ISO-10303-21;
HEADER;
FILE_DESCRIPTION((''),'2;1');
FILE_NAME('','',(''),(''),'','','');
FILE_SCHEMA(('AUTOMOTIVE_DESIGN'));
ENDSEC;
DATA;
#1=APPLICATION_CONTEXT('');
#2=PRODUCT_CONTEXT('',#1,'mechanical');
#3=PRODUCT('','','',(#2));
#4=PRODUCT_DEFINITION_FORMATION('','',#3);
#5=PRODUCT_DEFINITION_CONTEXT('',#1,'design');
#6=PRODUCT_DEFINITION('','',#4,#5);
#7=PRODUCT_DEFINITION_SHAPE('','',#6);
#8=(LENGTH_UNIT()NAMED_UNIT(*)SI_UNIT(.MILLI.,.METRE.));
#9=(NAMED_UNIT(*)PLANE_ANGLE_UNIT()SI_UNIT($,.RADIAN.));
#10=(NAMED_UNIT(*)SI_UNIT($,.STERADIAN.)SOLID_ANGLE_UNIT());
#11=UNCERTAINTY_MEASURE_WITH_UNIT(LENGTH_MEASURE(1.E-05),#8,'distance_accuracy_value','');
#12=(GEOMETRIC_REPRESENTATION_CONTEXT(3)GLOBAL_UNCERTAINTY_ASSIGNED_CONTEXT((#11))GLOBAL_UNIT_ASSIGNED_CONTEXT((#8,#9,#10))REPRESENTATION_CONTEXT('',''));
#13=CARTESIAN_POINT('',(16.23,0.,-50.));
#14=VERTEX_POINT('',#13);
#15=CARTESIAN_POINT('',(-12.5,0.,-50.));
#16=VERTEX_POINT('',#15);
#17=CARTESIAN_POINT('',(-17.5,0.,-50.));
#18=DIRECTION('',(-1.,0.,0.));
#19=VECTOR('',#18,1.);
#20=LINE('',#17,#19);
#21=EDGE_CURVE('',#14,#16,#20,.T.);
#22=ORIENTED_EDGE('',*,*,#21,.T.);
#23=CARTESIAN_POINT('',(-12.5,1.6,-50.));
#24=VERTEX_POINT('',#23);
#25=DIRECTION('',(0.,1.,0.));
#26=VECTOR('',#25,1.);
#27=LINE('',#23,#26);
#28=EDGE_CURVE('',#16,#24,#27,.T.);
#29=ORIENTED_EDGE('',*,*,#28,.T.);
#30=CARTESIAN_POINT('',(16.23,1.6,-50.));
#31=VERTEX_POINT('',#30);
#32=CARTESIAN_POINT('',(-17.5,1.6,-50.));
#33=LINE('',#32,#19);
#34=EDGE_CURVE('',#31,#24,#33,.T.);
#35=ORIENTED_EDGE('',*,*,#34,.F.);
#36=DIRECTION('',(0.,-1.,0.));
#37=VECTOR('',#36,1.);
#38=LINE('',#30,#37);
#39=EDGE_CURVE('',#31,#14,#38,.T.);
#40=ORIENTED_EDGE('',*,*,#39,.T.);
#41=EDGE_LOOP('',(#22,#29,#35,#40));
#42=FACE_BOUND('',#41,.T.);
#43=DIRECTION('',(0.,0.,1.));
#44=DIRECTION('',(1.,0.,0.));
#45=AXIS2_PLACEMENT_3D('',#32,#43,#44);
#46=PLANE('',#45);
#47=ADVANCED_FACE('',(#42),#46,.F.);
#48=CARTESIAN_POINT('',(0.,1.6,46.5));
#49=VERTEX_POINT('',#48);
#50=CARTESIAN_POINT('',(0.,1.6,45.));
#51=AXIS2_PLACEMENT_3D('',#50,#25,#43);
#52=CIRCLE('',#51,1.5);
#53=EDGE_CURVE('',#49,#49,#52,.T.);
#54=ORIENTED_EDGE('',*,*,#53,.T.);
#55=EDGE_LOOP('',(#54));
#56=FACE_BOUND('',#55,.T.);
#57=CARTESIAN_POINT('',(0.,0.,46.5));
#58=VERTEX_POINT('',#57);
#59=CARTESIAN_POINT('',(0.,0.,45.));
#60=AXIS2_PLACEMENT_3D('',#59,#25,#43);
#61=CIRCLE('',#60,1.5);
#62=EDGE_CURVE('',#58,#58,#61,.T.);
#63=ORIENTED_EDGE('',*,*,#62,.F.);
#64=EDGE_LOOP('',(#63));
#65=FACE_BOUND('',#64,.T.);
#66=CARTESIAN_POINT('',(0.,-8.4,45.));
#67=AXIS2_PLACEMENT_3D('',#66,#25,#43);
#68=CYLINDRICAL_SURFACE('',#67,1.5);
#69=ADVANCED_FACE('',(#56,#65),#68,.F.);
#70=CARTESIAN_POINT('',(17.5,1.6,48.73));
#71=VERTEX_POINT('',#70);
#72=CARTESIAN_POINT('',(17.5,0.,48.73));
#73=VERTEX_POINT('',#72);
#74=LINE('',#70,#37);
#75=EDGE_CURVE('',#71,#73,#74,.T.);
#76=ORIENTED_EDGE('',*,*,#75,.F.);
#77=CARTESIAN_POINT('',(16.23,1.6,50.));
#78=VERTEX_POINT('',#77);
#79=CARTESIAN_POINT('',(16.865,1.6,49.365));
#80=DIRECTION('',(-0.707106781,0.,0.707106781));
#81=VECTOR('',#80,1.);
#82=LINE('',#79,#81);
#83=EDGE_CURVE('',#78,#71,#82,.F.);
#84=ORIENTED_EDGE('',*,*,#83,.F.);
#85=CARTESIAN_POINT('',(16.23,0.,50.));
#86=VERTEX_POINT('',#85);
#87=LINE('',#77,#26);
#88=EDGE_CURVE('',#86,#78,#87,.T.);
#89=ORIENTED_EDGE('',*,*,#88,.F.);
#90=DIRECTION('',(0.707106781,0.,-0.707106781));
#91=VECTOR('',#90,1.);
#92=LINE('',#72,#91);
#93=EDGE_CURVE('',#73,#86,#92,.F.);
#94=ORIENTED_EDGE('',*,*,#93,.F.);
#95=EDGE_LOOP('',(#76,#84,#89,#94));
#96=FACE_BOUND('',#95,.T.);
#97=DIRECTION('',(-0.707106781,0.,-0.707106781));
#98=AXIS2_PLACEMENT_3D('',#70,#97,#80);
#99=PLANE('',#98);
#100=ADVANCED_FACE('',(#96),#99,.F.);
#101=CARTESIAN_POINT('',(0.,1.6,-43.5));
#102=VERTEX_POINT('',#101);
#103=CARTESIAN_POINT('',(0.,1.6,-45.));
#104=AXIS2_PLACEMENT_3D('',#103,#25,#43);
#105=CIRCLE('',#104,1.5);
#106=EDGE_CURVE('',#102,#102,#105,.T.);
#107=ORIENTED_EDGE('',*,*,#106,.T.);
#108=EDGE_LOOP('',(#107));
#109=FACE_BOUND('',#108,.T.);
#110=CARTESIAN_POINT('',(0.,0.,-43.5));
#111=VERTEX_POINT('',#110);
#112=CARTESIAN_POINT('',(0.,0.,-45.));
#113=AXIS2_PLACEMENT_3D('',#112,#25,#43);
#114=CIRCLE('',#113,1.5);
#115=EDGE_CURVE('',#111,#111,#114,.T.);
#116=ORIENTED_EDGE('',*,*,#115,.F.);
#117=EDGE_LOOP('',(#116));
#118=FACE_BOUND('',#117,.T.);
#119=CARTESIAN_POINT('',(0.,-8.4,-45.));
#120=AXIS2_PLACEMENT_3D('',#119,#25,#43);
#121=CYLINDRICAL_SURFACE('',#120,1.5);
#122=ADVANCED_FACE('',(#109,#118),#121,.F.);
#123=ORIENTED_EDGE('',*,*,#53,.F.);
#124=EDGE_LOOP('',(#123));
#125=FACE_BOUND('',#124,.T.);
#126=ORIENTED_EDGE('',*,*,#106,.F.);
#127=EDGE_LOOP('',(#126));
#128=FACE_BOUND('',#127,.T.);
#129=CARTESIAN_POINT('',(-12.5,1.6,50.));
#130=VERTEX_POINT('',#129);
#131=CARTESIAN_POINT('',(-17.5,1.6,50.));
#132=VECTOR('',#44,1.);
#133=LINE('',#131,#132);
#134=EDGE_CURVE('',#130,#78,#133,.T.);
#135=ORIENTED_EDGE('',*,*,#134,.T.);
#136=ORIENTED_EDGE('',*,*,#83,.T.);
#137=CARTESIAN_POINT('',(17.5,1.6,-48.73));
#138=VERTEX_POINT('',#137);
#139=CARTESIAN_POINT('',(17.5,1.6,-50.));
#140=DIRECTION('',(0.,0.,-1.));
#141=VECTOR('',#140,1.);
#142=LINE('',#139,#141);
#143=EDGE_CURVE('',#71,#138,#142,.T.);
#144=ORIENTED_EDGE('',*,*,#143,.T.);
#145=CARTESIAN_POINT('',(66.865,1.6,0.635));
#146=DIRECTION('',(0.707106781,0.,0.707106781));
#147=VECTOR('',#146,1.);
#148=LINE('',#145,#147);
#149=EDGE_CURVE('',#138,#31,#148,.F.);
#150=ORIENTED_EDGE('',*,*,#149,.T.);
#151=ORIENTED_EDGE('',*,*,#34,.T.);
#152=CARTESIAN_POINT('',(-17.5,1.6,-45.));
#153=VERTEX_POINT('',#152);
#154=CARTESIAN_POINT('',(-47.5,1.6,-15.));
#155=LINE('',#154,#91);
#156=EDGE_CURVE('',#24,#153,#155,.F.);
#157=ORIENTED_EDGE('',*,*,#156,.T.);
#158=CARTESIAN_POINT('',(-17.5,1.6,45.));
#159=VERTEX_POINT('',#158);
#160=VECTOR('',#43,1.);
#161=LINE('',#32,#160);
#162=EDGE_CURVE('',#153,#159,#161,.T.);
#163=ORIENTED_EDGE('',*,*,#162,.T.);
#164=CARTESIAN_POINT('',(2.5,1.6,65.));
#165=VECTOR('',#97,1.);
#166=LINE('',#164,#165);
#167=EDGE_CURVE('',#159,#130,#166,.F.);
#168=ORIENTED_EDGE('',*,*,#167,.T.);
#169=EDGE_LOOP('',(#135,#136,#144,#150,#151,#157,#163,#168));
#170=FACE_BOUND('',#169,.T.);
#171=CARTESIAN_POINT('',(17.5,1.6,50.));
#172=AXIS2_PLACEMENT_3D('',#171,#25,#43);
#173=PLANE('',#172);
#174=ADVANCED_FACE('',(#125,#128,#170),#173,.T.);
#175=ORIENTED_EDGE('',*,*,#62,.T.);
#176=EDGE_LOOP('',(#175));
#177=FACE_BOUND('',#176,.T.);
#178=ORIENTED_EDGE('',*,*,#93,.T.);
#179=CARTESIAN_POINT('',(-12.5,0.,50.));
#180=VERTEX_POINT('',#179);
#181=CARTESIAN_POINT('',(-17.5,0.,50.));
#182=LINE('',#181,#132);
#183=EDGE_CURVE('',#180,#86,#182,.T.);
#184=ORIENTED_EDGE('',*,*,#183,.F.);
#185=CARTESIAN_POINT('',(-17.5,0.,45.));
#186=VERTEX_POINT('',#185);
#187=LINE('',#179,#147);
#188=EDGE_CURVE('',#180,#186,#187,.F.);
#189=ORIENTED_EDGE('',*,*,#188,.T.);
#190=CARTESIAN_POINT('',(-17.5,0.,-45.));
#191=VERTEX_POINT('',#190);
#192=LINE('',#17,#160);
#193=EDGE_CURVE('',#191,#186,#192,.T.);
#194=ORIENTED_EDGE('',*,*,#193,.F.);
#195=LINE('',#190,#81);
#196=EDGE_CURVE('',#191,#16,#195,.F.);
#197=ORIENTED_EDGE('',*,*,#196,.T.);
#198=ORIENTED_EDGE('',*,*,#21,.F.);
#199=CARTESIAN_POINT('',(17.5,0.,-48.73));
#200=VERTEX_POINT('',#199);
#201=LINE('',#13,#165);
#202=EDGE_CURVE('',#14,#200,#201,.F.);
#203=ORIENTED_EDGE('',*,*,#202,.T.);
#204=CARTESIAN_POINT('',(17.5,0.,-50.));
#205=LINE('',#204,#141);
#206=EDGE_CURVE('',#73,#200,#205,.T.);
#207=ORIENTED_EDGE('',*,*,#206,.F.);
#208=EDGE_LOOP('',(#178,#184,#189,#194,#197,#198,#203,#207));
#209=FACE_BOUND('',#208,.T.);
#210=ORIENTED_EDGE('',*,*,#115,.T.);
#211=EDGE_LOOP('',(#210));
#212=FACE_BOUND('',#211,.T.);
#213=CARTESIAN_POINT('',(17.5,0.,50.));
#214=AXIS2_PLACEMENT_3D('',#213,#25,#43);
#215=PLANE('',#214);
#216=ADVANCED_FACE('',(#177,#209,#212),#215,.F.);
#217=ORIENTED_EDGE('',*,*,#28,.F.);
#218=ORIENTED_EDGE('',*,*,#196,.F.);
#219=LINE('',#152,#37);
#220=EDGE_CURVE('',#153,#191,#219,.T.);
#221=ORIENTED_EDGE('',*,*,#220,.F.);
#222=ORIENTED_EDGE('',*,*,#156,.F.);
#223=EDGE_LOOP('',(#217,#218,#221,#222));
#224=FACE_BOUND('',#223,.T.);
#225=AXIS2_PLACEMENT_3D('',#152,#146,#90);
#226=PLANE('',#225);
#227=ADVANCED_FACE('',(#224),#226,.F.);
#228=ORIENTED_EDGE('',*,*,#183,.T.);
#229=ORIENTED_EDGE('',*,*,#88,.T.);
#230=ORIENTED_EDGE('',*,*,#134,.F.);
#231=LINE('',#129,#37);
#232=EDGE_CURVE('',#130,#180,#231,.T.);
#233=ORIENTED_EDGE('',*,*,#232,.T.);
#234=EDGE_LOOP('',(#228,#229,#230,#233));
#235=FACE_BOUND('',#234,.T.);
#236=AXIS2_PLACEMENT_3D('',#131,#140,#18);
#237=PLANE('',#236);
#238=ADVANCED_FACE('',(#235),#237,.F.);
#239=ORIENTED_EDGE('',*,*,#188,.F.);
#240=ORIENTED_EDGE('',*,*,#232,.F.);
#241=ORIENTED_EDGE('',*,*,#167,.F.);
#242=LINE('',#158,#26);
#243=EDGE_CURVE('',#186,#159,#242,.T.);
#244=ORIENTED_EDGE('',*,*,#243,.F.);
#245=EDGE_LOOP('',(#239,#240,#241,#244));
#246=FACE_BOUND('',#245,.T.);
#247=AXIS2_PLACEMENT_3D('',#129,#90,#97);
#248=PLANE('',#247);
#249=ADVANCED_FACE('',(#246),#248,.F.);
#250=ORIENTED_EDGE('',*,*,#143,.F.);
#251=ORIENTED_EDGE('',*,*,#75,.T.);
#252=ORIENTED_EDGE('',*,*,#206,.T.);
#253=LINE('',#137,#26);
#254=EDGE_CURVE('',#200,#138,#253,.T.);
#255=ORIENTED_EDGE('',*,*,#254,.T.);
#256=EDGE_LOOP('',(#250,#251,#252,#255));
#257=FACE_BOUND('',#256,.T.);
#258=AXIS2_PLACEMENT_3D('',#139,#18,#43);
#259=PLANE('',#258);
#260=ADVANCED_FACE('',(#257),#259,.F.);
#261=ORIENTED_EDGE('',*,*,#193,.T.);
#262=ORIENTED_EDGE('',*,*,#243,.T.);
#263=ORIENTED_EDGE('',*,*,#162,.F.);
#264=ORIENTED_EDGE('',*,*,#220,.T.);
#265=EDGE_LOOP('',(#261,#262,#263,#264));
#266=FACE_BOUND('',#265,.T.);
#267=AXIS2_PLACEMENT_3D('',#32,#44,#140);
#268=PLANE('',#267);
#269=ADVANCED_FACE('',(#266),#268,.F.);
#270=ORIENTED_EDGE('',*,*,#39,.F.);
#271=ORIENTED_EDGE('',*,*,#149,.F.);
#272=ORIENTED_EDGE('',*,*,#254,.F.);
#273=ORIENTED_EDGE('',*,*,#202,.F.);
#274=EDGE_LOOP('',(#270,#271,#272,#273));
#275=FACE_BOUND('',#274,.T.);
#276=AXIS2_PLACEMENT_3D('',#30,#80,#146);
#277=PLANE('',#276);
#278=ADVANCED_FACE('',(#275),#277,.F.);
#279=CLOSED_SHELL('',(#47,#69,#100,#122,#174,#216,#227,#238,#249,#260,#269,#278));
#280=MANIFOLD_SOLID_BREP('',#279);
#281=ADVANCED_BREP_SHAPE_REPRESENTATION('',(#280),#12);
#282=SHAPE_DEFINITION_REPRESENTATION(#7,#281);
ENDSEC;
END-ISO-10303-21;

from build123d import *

# Parameters (mm, degrees)
SKETCH1_W           = 35
SKETCH1_H           = 100
BOSS_EXTRUDE1_DEPTH = 1.6
CHAMFER1_SIZE       = 5
CHAMFER2_SIZE       = 1.27
SKETCH2_R           = 1.5
CUT_EXTRUDE1_DEPTH  = 10


with BuildPart() as part:
    # Sketch1 → Boss-Extrude1 (new body)
    with BuildSketch(Plane(origin=(0, 0, 0), x_dir=(1, 0, 0), z_dir=(0, 1, 0))):
        Rectangle(SKETCH1_W, SKETCH1_H)
    extrude(amount=BOSS_EXTRUDE1_DEPTH)

    # Chamfer1
    chamfer1_edges = [part.edges().sort_by_distance(p)[0] for p in [
        (-17.5, 0.8, 50),
        (-17.5, 0.8, -50),
    ]]
    chamfer(chamfer1_edges, length=CHAMFER1_SIZE)

    # Chamfer2
    chamfer2_edges = [part.edges().sort_by_distance(p)[0] for p in [
        (17.5, 0.8, 50),
        (17.5, 0.8, -50),
    ]]
    chamfer(chamfer2_edges, length=CHAMFER2_SIZE)

    # Sketch2 → Cut-Extrude1 (cut)
    with BuildSketch(Plane(origin=(0, 1.6, 0), x_dir=(-1, 0, 0), z_dir=(0, 1, 0))):
        with Locations(Location((0, -45, 0), (0, 0, 90))):
            Circle(SKETCH2_R)
        with Locations(Location((0, 45, 0), (0, 0, 90))):
            Circle(SKETCH2_R)
    extrude(amount=-CUT_EXTRUDE1_DEPTH, mode=Mode.SUBTRACT)


solid = part.part
